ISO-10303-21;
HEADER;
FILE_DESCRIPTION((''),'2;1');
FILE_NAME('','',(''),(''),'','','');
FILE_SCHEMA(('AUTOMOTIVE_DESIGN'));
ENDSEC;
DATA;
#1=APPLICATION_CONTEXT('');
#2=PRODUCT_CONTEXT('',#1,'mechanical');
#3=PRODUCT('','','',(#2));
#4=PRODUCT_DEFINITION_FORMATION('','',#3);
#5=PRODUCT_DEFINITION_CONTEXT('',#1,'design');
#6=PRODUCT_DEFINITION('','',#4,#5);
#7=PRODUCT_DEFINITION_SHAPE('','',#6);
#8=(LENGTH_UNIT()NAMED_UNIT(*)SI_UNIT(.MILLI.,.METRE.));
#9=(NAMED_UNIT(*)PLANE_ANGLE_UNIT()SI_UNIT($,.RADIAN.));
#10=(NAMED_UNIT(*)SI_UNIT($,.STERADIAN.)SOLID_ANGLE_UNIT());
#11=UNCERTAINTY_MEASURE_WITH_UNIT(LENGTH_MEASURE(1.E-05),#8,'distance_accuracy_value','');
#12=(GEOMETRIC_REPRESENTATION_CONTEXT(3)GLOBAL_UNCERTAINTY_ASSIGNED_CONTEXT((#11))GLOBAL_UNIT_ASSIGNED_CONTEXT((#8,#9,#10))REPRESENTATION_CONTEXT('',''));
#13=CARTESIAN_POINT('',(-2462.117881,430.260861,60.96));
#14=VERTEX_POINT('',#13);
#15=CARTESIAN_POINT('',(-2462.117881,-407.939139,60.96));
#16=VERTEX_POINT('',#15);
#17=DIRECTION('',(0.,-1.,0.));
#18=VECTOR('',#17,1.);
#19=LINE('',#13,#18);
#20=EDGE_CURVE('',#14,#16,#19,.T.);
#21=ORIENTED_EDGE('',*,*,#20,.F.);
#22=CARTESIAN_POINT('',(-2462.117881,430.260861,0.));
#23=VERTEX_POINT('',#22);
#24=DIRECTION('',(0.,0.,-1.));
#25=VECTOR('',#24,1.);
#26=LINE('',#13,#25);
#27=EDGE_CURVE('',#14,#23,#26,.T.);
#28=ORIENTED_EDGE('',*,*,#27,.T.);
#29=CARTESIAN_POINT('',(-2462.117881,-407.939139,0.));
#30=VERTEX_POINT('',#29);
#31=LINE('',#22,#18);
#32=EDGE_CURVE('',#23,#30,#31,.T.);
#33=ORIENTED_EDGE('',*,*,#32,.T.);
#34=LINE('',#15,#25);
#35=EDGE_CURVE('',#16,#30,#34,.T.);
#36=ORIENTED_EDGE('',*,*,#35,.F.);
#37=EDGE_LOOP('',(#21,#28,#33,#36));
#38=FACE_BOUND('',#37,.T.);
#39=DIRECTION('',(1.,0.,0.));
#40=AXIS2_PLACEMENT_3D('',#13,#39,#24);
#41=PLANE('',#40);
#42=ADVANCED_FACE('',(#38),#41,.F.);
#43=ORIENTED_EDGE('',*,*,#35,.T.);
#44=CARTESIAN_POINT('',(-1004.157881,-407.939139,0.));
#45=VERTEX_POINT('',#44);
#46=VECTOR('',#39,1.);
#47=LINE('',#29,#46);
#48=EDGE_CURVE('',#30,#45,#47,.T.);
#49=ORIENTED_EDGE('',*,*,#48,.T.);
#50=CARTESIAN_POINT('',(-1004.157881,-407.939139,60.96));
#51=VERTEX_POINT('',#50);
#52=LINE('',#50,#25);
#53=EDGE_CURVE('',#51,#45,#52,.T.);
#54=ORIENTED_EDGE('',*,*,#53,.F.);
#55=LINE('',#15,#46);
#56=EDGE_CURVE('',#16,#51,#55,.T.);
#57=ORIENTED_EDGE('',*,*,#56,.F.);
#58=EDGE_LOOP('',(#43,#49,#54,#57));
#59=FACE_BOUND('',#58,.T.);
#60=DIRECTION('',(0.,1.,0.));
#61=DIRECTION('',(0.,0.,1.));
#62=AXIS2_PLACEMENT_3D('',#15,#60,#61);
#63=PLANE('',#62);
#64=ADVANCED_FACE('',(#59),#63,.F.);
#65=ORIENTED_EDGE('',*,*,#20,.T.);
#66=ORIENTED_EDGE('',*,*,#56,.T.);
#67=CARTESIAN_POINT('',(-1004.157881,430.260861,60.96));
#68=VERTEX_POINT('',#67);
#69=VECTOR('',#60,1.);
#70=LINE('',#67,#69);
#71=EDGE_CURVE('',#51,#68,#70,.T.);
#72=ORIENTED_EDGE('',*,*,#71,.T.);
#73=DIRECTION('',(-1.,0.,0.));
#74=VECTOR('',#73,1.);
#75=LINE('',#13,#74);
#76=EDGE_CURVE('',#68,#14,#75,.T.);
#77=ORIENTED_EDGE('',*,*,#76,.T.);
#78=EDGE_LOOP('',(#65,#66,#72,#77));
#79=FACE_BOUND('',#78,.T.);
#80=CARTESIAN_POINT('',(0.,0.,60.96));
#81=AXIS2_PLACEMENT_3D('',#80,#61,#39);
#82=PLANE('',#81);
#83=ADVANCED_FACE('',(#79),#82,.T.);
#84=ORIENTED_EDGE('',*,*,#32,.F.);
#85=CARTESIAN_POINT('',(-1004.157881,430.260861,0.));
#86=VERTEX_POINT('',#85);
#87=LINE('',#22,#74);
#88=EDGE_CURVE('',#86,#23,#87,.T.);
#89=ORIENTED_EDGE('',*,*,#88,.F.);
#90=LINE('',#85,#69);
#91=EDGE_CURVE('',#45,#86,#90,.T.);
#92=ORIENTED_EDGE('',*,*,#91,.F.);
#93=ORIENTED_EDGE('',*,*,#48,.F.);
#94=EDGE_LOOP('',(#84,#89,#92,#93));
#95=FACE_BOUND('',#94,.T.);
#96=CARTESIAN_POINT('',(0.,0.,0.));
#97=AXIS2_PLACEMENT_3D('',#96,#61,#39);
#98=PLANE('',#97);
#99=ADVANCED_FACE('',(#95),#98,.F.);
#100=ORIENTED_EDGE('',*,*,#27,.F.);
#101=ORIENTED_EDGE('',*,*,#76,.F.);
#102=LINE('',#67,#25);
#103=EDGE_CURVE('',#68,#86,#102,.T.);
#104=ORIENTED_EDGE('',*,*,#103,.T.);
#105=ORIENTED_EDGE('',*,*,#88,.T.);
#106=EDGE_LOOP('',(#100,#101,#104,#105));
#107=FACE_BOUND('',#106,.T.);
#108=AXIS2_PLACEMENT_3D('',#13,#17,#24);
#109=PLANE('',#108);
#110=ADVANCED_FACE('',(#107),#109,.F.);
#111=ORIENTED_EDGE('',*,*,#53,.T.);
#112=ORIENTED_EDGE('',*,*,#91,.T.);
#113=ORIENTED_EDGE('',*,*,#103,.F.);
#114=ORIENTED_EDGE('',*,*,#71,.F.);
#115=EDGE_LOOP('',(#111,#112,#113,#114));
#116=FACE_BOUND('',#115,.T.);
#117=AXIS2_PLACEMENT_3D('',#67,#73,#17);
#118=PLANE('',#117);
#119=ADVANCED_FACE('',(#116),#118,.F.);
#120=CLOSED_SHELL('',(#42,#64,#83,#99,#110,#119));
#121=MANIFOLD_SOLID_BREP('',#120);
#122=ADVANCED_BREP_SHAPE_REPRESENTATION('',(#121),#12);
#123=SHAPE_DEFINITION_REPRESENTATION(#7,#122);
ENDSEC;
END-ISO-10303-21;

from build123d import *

# Parameters (mm, degrees)
SKETCH1_W           = 1457.96
SKETCH1_H           = 838.2
BOSS_EXTRUDE1_DEPTH = 60.96


with BuildPart() as part:
    # Sketch1 → Boss-Extrude1 (new body)
    with BuildSketch(Plane.XY):
        with Locations((-1733.137880795, 11.160860927)):
            Rectangle(SKETCH1_W, SKETCH1_H)
    extrude(amount=BOSS_EXTRUDE1_DEPTH)


solid = part.part
